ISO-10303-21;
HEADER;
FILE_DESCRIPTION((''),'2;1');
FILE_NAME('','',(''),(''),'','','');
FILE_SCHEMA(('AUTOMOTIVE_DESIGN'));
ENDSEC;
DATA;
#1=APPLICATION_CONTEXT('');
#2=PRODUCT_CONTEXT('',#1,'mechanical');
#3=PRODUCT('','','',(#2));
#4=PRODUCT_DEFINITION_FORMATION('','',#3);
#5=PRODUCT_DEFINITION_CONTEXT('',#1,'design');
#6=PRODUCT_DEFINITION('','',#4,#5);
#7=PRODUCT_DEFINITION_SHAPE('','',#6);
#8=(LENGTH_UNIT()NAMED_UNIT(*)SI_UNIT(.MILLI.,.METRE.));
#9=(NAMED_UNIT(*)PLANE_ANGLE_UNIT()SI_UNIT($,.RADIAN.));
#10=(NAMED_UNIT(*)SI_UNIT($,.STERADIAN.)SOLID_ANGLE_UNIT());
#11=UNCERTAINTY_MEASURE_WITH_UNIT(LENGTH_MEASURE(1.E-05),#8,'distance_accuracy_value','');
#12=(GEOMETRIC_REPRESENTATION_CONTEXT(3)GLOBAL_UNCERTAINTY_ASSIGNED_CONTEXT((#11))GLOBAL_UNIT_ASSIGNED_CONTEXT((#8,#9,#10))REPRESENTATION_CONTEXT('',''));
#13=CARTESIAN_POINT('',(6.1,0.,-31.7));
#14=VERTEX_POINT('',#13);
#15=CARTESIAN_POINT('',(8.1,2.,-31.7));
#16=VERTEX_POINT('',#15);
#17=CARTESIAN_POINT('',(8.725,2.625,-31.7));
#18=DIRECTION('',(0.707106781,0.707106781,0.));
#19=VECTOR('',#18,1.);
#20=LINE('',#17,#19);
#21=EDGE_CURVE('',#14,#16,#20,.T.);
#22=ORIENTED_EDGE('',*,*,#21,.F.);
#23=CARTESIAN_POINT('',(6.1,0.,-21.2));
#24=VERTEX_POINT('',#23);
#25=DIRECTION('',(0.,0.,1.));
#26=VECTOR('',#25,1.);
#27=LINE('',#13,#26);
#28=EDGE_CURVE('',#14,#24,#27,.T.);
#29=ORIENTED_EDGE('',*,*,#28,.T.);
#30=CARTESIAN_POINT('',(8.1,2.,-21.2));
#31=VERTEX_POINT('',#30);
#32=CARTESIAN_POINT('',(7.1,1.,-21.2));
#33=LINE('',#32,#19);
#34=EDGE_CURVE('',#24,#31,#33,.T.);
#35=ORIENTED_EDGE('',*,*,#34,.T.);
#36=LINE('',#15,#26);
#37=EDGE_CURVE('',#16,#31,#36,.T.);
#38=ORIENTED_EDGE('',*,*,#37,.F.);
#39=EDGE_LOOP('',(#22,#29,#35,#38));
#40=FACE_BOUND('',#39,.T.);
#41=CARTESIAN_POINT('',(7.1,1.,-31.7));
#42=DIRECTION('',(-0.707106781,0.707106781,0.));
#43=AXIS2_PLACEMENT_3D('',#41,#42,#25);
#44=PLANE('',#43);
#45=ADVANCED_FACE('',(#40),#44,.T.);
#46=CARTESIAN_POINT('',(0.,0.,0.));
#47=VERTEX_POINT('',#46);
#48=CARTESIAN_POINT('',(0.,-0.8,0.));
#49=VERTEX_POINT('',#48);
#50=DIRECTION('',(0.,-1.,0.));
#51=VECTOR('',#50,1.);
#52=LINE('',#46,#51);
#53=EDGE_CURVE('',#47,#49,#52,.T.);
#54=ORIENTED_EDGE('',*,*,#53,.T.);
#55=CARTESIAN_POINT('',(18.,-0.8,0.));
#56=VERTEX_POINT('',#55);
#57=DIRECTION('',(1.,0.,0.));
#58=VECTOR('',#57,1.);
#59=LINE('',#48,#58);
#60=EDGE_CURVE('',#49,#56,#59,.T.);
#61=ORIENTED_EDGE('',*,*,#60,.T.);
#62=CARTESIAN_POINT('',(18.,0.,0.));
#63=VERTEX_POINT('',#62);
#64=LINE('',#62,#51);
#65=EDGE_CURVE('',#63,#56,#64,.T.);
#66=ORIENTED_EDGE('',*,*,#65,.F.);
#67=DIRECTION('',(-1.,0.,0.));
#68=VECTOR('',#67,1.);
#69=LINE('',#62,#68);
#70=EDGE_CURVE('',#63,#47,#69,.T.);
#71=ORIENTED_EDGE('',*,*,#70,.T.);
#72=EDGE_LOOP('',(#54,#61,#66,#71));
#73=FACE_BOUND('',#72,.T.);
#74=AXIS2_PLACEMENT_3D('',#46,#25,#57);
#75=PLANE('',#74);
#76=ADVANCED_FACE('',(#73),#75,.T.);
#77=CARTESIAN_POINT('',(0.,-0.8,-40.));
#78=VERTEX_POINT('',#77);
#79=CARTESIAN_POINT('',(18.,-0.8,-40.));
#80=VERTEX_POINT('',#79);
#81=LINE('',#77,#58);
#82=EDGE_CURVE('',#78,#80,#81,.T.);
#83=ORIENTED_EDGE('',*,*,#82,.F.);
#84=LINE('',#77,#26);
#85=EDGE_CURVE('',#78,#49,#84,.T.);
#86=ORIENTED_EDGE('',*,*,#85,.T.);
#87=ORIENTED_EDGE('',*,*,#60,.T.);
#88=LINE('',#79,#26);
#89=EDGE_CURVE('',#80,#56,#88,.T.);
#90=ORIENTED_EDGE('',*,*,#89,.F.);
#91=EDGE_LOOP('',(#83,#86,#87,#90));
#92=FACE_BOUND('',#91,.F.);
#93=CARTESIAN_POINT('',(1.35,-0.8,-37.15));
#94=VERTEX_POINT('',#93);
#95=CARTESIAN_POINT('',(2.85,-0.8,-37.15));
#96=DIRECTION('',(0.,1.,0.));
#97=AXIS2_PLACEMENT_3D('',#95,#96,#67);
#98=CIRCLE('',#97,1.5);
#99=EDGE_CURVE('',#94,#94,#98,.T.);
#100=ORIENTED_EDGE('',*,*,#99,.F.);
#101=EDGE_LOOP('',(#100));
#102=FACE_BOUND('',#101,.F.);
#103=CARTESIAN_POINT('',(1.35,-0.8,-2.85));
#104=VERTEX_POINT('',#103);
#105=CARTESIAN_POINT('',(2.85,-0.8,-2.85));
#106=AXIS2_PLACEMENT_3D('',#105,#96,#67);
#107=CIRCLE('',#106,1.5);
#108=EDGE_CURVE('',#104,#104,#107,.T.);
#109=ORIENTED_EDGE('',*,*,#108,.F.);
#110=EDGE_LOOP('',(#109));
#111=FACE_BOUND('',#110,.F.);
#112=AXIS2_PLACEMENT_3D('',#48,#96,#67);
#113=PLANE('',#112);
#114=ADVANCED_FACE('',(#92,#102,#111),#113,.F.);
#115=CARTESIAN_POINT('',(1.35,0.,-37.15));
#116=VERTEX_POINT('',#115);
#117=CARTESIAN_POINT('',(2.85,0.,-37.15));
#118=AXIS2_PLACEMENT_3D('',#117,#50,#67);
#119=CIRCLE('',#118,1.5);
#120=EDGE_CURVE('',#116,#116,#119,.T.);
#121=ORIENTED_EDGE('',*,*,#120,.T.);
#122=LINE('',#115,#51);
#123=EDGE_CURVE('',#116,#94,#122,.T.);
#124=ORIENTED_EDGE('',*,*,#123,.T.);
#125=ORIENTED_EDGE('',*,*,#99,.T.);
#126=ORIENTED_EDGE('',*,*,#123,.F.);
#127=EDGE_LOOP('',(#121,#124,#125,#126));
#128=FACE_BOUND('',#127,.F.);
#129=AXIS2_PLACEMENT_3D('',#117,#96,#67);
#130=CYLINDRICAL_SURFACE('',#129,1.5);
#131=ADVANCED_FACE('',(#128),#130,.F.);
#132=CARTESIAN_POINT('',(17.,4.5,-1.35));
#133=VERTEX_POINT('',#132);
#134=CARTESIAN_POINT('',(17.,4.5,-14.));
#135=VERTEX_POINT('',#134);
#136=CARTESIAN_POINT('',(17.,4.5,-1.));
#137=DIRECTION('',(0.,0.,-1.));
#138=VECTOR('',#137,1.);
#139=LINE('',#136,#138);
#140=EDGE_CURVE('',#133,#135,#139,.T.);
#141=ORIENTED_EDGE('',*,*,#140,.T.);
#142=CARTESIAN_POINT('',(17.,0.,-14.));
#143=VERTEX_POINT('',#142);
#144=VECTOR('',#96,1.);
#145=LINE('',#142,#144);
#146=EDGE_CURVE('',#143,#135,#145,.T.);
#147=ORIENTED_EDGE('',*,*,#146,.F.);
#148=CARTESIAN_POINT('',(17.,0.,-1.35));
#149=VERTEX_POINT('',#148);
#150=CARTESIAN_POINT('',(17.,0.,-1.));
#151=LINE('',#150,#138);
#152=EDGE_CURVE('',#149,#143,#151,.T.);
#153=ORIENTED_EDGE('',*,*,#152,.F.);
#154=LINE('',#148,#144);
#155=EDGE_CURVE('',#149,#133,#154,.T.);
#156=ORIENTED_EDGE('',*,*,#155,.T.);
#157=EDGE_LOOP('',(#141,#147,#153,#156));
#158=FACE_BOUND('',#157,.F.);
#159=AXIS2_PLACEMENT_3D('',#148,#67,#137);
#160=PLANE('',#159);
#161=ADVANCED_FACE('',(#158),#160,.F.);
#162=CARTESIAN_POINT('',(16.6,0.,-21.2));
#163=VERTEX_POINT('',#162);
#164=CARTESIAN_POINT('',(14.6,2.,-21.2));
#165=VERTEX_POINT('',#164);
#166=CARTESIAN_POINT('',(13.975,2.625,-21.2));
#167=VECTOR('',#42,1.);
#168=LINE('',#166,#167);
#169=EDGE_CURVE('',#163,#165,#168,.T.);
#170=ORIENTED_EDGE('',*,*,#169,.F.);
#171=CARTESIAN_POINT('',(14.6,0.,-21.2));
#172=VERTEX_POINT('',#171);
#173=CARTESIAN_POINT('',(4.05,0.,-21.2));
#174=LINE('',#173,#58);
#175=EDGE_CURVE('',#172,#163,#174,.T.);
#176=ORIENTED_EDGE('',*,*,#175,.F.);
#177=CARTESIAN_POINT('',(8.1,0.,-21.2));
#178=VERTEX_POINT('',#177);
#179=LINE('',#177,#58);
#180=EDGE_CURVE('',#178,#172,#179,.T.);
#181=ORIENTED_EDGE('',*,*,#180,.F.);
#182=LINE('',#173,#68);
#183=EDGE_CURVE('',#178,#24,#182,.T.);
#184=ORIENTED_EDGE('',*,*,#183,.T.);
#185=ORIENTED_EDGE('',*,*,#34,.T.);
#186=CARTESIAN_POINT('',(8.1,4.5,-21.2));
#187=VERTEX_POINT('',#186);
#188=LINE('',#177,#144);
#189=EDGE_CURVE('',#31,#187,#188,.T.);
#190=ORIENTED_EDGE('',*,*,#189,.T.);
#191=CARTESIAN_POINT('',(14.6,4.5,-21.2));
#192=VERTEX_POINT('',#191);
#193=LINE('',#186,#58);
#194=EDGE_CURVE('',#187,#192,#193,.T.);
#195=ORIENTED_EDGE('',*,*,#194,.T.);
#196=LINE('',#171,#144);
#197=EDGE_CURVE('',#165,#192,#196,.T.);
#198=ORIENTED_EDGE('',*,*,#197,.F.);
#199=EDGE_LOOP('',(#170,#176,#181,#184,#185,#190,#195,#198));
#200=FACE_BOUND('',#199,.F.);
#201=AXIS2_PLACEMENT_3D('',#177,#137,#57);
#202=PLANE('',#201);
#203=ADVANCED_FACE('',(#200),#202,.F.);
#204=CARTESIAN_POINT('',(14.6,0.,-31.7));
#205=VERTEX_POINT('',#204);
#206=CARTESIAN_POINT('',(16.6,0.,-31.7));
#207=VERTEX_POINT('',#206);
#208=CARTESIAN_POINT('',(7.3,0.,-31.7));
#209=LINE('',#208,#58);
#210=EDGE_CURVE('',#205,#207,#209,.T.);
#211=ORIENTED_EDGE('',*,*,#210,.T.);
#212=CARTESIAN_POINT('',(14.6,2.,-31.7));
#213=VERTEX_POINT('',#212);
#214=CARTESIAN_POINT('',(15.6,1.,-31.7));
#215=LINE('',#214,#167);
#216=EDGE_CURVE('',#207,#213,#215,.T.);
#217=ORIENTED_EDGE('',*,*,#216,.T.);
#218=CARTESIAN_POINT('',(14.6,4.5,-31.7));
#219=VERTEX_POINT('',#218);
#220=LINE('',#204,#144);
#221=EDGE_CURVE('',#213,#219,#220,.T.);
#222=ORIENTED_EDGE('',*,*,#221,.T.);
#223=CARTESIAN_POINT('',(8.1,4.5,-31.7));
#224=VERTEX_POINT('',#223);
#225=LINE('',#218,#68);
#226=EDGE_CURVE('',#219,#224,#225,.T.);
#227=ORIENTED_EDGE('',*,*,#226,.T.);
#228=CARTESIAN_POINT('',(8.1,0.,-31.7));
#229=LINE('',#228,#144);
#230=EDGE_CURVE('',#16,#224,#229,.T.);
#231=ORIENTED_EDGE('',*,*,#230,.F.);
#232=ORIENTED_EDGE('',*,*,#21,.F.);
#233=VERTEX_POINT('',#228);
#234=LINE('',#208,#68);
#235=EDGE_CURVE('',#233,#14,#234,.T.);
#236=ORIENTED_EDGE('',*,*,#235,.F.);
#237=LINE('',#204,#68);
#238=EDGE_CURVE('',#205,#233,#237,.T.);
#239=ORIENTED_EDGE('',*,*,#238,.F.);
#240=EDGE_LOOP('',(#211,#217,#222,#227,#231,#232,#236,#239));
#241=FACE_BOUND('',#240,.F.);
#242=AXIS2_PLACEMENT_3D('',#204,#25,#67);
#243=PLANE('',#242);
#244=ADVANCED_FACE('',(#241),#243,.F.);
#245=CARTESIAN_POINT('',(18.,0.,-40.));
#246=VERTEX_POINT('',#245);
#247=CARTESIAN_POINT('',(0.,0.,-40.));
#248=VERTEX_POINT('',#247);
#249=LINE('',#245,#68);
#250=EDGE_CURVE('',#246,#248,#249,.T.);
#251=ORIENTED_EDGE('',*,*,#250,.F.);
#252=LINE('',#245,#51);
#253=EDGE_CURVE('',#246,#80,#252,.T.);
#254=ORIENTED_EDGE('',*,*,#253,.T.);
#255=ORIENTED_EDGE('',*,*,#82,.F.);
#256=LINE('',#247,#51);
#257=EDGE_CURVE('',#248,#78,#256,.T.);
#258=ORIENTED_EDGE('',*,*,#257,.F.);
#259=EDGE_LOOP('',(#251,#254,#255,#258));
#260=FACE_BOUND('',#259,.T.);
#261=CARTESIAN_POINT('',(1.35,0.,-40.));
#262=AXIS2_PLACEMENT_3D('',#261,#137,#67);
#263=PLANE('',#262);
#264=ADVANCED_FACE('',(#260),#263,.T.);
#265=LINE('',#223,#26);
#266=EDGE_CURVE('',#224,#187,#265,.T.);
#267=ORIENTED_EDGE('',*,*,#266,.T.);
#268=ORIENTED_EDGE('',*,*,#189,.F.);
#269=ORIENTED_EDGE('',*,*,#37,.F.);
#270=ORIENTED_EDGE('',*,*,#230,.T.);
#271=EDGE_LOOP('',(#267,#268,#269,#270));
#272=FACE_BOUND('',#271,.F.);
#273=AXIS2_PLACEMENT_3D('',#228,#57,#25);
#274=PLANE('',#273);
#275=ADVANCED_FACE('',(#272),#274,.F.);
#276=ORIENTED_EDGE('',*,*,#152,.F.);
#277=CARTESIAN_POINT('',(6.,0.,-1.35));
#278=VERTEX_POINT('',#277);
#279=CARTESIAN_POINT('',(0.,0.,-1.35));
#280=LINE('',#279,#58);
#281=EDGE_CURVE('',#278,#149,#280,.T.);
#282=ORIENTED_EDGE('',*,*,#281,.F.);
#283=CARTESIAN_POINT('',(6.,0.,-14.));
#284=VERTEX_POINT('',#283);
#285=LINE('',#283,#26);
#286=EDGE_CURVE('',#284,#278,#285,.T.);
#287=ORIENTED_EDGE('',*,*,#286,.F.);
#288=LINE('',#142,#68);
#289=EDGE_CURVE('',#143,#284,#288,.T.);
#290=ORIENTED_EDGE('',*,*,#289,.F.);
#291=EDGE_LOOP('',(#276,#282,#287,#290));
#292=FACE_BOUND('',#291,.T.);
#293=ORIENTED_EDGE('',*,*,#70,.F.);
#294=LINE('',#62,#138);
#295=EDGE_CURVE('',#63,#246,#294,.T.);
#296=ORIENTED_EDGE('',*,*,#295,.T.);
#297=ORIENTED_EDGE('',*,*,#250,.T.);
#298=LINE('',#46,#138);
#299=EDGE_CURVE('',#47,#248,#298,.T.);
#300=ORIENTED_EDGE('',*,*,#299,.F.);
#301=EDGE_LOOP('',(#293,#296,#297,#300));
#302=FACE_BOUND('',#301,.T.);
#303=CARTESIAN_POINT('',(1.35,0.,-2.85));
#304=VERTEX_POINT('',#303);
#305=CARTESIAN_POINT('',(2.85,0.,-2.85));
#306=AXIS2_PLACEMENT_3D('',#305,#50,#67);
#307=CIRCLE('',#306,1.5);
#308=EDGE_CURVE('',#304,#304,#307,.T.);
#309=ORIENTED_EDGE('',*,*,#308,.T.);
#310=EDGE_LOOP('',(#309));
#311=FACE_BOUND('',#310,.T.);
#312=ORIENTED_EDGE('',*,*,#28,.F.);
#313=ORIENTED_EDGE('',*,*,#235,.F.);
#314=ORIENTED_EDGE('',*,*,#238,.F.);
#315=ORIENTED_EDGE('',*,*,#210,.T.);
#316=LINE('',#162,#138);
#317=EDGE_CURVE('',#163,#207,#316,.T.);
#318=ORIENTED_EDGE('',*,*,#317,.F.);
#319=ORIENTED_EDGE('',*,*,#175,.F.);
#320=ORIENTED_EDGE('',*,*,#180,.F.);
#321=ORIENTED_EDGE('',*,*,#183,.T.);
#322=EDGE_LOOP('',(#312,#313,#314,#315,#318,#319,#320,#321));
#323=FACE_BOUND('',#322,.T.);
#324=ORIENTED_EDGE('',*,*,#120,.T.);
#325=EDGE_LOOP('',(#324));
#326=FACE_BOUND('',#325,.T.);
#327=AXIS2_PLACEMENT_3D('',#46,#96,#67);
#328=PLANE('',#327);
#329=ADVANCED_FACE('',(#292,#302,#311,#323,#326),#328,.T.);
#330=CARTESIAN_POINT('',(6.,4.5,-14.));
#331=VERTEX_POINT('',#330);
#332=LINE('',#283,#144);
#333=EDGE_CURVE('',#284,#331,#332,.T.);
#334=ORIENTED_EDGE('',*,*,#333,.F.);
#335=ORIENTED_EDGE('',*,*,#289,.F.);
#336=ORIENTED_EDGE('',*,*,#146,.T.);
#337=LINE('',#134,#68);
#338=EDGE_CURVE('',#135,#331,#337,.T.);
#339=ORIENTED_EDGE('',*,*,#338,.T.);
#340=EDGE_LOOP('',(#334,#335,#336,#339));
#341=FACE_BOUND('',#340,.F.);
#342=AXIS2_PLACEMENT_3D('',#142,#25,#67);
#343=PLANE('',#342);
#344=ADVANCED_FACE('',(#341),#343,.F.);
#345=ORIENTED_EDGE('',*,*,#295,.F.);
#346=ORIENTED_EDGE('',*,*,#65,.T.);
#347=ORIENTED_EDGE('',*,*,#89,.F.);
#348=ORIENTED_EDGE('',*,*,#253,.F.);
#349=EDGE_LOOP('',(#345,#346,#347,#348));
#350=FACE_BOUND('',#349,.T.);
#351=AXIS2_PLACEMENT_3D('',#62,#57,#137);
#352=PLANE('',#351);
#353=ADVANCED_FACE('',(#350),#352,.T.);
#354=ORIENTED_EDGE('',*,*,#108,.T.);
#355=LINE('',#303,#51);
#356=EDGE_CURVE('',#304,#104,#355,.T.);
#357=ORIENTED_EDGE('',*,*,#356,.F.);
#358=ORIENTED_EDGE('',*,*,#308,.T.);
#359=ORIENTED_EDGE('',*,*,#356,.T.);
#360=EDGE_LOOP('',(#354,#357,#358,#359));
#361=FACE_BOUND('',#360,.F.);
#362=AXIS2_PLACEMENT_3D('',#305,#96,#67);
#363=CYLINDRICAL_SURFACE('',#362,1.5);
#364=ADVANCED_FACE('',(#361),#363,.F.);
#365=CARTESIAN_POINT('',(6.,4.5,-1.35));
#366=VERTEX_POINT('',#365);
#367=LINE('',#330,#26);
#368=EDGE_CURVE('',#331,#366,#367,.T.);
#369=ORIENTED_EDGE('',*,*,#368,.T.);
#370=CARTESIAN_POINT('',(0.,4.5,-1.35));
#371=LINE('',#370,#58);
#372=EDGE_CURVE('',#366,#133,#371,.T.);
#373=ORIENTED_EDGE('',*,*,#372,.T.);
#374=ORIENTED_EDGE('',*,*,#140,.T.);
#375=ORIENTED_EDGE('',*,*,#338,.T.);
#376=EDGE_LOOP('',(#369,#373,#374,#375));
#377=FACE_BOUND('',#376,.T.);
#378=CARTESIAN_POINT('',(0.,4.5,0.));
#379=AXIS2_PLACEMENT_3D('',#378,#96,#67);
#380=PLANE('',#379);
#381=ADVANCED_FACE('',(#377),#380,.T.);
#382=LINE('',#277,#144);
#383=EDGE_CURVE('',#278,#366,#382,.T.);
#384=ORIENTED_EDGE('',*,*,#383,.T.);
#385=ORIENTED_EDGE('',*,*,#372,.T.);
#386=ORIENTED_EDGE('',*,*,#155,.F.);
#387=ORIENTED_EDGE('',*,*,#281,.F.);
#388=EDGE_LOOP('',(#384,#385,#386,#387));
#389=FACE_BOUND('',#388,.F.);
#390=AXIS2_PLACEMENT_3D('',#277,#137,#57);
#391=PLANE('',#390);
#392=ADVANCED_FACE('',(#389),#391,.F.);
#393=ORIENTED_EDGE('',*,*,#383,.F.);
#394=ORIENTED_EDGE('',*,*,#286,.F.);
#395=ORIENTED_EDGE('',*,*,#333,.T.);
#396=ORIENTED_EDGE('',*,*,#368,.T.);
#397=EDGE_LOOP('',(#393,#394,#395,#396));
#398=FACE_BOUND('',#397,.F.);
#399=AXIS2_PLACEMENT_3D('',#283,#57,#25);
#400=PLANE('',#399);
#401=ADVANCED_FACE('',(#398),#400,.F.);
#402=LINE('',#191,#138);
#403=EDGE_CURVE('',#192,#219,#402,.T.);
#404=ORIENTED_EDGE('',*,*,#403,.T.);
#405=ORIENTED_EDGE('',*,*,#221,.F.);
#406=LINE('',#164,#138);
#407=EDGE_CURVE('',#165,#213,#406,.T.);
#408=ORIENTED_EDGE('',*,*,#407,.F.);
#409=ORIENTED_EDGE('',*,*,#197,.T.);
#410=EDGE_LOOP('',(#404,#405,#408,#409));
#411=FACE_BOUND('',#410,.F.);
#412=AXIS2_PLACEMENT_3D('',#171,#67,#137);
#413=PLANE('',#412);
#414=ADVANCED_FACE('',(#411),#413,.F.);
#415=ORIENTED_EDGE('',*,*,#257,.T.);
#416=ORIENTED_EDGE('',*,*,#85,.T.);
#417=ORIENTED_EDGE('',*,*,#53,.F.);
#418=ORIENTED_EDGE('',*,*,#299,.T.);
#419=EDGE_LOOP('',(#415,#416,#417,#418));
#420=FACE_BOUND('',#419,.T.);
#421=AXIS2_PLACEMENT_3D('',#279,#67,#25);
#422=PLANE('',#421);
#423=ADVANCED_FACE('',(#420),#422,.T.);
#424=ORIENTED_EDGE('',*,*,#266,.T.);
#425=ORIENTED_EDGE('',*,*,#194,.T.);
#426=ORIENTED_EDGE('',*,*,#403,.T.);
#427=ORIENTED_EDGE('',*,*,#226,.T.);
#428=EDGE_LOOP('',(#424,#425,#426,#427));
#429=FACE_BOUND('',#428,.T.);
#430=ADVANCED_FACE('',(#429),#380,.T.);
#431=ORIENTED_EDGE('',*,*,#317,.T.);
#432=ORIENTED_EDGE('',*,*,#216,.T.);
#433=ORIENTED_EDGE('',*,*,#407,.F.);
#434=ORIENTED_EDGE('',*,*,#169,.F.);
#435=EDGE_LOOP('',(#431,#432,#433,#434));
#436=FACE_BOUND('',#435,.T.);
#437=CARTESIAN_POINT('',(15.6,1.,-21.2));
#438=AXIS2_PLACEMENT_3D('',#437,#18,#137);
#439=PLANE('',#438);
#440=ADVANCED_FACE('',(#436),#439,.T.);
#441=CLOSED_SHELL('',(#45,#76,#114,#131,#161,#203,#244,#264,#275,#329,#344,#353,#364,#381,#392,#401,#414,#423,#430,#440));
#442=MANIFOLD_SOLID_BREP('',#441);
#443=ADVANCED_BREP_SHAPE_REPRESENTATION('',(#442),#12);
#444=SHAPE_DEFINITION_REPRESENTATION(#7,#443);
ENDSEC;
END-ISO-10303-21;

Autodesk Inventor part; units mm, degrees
ref_plane "YZ Plane" through (0, 0, 0) normal (1, 0, 0) x (0, 1, 0)
ref_plane "XZ Plane" through (0, 0, 0) normal (0, 1, 0) x (-1, 0, 0)
ref_plane "XY Plane" through (0, 0, 0) normal (0, 0, 1) x (1, 0, 0)
sketch "Sketch1" plane through (0, 0, 0) normal (0, 1, 0) x (-1, 0, 0)
  line L0 (0, 0) -> (-18, 0)
  line L1 (-18, 0) -> (-18, -40)
  line L2 (-18, -40) -> (0, -40)
  line L3 (0, -40) -> (0, 0)
  line L4 (-1.35, 0) -> (-1.35, -40)
  line L5 (0, -1.35) -> (-18, -1.35)
  line L6 (0, -38.65) -> (-18, -38.65)
  circle A0 centre (-2.85, -2.85) radius 1.5
  circle A1 centre (-2.85, -37.15) radius 1.5
  line L7 (-8.1, -21.2) -> (-14.6, -21.2)
  line L8 (-14.6, -21.2) -> (-14.6, -31.7)
  line L9 (-14.6, -31.7) -> (-8.1, -31.7)
  line L10 (-8.1, -31.7) -> (-8.1, -21.2)
  line L11 (-6, -1) -> (-17, -1)
  line L12 (-17, -1) -> (-17, -14)
  line L13 (-17, -14) -> (-6, -14)
  line L14 (-6, -14) -> (-6, -1)
  point P0 (-6, -1.35)
  point P1 (-17, -1.35)
  dimension "d0" = 18
  dimension "d1" = 40
  dimension "d2" = 1.35
  dimension "d3" = 1.35
  dimension "d4" = 1.35
  dimension "d5" = 3
  dimension "d6" = 3
  dimension "d7" = 6.5
  dimension "d8" = 10.5
  dimension "d11" = 8.1
  dimension "d12" = 8.3
  dimension "d13" = 11
  dimension "d14" = 13
  dimension "d16" = 1
  dimension "d17" = 1
extrude "Extrusion1" add sketch "Sketch1" against normal blind 0.8 contours L3 L5 L4 L0 | L4 L5 L14 L11 L12 L1 L0 | L3 L6 L4 L5 | L4 A0 L5 | L3 L2 L4 L6 | L5 L12 L13 L14 A0 L4 A1 L6 L1 | L6 A1 L4 | L4 L2 L1 L6 | L12 L11 L14 L5 | L5 L14 L13 L12 | L10 L9 L8 L7
extrude "Extrusion2" add sketch "Sketch1" along normal blind 4.5 contours L5 L14 L13 L12
extrude "Extrusion3" add sketch "Sketch1" along normal blind 4.5 contours L10 L9 L8 L7
chamfer "Chamfer1" distance 2 angle 45 2 edges at (8.1, 0, -26.45) (14.6, 0, -26.45)
properties part number "interface_board"
